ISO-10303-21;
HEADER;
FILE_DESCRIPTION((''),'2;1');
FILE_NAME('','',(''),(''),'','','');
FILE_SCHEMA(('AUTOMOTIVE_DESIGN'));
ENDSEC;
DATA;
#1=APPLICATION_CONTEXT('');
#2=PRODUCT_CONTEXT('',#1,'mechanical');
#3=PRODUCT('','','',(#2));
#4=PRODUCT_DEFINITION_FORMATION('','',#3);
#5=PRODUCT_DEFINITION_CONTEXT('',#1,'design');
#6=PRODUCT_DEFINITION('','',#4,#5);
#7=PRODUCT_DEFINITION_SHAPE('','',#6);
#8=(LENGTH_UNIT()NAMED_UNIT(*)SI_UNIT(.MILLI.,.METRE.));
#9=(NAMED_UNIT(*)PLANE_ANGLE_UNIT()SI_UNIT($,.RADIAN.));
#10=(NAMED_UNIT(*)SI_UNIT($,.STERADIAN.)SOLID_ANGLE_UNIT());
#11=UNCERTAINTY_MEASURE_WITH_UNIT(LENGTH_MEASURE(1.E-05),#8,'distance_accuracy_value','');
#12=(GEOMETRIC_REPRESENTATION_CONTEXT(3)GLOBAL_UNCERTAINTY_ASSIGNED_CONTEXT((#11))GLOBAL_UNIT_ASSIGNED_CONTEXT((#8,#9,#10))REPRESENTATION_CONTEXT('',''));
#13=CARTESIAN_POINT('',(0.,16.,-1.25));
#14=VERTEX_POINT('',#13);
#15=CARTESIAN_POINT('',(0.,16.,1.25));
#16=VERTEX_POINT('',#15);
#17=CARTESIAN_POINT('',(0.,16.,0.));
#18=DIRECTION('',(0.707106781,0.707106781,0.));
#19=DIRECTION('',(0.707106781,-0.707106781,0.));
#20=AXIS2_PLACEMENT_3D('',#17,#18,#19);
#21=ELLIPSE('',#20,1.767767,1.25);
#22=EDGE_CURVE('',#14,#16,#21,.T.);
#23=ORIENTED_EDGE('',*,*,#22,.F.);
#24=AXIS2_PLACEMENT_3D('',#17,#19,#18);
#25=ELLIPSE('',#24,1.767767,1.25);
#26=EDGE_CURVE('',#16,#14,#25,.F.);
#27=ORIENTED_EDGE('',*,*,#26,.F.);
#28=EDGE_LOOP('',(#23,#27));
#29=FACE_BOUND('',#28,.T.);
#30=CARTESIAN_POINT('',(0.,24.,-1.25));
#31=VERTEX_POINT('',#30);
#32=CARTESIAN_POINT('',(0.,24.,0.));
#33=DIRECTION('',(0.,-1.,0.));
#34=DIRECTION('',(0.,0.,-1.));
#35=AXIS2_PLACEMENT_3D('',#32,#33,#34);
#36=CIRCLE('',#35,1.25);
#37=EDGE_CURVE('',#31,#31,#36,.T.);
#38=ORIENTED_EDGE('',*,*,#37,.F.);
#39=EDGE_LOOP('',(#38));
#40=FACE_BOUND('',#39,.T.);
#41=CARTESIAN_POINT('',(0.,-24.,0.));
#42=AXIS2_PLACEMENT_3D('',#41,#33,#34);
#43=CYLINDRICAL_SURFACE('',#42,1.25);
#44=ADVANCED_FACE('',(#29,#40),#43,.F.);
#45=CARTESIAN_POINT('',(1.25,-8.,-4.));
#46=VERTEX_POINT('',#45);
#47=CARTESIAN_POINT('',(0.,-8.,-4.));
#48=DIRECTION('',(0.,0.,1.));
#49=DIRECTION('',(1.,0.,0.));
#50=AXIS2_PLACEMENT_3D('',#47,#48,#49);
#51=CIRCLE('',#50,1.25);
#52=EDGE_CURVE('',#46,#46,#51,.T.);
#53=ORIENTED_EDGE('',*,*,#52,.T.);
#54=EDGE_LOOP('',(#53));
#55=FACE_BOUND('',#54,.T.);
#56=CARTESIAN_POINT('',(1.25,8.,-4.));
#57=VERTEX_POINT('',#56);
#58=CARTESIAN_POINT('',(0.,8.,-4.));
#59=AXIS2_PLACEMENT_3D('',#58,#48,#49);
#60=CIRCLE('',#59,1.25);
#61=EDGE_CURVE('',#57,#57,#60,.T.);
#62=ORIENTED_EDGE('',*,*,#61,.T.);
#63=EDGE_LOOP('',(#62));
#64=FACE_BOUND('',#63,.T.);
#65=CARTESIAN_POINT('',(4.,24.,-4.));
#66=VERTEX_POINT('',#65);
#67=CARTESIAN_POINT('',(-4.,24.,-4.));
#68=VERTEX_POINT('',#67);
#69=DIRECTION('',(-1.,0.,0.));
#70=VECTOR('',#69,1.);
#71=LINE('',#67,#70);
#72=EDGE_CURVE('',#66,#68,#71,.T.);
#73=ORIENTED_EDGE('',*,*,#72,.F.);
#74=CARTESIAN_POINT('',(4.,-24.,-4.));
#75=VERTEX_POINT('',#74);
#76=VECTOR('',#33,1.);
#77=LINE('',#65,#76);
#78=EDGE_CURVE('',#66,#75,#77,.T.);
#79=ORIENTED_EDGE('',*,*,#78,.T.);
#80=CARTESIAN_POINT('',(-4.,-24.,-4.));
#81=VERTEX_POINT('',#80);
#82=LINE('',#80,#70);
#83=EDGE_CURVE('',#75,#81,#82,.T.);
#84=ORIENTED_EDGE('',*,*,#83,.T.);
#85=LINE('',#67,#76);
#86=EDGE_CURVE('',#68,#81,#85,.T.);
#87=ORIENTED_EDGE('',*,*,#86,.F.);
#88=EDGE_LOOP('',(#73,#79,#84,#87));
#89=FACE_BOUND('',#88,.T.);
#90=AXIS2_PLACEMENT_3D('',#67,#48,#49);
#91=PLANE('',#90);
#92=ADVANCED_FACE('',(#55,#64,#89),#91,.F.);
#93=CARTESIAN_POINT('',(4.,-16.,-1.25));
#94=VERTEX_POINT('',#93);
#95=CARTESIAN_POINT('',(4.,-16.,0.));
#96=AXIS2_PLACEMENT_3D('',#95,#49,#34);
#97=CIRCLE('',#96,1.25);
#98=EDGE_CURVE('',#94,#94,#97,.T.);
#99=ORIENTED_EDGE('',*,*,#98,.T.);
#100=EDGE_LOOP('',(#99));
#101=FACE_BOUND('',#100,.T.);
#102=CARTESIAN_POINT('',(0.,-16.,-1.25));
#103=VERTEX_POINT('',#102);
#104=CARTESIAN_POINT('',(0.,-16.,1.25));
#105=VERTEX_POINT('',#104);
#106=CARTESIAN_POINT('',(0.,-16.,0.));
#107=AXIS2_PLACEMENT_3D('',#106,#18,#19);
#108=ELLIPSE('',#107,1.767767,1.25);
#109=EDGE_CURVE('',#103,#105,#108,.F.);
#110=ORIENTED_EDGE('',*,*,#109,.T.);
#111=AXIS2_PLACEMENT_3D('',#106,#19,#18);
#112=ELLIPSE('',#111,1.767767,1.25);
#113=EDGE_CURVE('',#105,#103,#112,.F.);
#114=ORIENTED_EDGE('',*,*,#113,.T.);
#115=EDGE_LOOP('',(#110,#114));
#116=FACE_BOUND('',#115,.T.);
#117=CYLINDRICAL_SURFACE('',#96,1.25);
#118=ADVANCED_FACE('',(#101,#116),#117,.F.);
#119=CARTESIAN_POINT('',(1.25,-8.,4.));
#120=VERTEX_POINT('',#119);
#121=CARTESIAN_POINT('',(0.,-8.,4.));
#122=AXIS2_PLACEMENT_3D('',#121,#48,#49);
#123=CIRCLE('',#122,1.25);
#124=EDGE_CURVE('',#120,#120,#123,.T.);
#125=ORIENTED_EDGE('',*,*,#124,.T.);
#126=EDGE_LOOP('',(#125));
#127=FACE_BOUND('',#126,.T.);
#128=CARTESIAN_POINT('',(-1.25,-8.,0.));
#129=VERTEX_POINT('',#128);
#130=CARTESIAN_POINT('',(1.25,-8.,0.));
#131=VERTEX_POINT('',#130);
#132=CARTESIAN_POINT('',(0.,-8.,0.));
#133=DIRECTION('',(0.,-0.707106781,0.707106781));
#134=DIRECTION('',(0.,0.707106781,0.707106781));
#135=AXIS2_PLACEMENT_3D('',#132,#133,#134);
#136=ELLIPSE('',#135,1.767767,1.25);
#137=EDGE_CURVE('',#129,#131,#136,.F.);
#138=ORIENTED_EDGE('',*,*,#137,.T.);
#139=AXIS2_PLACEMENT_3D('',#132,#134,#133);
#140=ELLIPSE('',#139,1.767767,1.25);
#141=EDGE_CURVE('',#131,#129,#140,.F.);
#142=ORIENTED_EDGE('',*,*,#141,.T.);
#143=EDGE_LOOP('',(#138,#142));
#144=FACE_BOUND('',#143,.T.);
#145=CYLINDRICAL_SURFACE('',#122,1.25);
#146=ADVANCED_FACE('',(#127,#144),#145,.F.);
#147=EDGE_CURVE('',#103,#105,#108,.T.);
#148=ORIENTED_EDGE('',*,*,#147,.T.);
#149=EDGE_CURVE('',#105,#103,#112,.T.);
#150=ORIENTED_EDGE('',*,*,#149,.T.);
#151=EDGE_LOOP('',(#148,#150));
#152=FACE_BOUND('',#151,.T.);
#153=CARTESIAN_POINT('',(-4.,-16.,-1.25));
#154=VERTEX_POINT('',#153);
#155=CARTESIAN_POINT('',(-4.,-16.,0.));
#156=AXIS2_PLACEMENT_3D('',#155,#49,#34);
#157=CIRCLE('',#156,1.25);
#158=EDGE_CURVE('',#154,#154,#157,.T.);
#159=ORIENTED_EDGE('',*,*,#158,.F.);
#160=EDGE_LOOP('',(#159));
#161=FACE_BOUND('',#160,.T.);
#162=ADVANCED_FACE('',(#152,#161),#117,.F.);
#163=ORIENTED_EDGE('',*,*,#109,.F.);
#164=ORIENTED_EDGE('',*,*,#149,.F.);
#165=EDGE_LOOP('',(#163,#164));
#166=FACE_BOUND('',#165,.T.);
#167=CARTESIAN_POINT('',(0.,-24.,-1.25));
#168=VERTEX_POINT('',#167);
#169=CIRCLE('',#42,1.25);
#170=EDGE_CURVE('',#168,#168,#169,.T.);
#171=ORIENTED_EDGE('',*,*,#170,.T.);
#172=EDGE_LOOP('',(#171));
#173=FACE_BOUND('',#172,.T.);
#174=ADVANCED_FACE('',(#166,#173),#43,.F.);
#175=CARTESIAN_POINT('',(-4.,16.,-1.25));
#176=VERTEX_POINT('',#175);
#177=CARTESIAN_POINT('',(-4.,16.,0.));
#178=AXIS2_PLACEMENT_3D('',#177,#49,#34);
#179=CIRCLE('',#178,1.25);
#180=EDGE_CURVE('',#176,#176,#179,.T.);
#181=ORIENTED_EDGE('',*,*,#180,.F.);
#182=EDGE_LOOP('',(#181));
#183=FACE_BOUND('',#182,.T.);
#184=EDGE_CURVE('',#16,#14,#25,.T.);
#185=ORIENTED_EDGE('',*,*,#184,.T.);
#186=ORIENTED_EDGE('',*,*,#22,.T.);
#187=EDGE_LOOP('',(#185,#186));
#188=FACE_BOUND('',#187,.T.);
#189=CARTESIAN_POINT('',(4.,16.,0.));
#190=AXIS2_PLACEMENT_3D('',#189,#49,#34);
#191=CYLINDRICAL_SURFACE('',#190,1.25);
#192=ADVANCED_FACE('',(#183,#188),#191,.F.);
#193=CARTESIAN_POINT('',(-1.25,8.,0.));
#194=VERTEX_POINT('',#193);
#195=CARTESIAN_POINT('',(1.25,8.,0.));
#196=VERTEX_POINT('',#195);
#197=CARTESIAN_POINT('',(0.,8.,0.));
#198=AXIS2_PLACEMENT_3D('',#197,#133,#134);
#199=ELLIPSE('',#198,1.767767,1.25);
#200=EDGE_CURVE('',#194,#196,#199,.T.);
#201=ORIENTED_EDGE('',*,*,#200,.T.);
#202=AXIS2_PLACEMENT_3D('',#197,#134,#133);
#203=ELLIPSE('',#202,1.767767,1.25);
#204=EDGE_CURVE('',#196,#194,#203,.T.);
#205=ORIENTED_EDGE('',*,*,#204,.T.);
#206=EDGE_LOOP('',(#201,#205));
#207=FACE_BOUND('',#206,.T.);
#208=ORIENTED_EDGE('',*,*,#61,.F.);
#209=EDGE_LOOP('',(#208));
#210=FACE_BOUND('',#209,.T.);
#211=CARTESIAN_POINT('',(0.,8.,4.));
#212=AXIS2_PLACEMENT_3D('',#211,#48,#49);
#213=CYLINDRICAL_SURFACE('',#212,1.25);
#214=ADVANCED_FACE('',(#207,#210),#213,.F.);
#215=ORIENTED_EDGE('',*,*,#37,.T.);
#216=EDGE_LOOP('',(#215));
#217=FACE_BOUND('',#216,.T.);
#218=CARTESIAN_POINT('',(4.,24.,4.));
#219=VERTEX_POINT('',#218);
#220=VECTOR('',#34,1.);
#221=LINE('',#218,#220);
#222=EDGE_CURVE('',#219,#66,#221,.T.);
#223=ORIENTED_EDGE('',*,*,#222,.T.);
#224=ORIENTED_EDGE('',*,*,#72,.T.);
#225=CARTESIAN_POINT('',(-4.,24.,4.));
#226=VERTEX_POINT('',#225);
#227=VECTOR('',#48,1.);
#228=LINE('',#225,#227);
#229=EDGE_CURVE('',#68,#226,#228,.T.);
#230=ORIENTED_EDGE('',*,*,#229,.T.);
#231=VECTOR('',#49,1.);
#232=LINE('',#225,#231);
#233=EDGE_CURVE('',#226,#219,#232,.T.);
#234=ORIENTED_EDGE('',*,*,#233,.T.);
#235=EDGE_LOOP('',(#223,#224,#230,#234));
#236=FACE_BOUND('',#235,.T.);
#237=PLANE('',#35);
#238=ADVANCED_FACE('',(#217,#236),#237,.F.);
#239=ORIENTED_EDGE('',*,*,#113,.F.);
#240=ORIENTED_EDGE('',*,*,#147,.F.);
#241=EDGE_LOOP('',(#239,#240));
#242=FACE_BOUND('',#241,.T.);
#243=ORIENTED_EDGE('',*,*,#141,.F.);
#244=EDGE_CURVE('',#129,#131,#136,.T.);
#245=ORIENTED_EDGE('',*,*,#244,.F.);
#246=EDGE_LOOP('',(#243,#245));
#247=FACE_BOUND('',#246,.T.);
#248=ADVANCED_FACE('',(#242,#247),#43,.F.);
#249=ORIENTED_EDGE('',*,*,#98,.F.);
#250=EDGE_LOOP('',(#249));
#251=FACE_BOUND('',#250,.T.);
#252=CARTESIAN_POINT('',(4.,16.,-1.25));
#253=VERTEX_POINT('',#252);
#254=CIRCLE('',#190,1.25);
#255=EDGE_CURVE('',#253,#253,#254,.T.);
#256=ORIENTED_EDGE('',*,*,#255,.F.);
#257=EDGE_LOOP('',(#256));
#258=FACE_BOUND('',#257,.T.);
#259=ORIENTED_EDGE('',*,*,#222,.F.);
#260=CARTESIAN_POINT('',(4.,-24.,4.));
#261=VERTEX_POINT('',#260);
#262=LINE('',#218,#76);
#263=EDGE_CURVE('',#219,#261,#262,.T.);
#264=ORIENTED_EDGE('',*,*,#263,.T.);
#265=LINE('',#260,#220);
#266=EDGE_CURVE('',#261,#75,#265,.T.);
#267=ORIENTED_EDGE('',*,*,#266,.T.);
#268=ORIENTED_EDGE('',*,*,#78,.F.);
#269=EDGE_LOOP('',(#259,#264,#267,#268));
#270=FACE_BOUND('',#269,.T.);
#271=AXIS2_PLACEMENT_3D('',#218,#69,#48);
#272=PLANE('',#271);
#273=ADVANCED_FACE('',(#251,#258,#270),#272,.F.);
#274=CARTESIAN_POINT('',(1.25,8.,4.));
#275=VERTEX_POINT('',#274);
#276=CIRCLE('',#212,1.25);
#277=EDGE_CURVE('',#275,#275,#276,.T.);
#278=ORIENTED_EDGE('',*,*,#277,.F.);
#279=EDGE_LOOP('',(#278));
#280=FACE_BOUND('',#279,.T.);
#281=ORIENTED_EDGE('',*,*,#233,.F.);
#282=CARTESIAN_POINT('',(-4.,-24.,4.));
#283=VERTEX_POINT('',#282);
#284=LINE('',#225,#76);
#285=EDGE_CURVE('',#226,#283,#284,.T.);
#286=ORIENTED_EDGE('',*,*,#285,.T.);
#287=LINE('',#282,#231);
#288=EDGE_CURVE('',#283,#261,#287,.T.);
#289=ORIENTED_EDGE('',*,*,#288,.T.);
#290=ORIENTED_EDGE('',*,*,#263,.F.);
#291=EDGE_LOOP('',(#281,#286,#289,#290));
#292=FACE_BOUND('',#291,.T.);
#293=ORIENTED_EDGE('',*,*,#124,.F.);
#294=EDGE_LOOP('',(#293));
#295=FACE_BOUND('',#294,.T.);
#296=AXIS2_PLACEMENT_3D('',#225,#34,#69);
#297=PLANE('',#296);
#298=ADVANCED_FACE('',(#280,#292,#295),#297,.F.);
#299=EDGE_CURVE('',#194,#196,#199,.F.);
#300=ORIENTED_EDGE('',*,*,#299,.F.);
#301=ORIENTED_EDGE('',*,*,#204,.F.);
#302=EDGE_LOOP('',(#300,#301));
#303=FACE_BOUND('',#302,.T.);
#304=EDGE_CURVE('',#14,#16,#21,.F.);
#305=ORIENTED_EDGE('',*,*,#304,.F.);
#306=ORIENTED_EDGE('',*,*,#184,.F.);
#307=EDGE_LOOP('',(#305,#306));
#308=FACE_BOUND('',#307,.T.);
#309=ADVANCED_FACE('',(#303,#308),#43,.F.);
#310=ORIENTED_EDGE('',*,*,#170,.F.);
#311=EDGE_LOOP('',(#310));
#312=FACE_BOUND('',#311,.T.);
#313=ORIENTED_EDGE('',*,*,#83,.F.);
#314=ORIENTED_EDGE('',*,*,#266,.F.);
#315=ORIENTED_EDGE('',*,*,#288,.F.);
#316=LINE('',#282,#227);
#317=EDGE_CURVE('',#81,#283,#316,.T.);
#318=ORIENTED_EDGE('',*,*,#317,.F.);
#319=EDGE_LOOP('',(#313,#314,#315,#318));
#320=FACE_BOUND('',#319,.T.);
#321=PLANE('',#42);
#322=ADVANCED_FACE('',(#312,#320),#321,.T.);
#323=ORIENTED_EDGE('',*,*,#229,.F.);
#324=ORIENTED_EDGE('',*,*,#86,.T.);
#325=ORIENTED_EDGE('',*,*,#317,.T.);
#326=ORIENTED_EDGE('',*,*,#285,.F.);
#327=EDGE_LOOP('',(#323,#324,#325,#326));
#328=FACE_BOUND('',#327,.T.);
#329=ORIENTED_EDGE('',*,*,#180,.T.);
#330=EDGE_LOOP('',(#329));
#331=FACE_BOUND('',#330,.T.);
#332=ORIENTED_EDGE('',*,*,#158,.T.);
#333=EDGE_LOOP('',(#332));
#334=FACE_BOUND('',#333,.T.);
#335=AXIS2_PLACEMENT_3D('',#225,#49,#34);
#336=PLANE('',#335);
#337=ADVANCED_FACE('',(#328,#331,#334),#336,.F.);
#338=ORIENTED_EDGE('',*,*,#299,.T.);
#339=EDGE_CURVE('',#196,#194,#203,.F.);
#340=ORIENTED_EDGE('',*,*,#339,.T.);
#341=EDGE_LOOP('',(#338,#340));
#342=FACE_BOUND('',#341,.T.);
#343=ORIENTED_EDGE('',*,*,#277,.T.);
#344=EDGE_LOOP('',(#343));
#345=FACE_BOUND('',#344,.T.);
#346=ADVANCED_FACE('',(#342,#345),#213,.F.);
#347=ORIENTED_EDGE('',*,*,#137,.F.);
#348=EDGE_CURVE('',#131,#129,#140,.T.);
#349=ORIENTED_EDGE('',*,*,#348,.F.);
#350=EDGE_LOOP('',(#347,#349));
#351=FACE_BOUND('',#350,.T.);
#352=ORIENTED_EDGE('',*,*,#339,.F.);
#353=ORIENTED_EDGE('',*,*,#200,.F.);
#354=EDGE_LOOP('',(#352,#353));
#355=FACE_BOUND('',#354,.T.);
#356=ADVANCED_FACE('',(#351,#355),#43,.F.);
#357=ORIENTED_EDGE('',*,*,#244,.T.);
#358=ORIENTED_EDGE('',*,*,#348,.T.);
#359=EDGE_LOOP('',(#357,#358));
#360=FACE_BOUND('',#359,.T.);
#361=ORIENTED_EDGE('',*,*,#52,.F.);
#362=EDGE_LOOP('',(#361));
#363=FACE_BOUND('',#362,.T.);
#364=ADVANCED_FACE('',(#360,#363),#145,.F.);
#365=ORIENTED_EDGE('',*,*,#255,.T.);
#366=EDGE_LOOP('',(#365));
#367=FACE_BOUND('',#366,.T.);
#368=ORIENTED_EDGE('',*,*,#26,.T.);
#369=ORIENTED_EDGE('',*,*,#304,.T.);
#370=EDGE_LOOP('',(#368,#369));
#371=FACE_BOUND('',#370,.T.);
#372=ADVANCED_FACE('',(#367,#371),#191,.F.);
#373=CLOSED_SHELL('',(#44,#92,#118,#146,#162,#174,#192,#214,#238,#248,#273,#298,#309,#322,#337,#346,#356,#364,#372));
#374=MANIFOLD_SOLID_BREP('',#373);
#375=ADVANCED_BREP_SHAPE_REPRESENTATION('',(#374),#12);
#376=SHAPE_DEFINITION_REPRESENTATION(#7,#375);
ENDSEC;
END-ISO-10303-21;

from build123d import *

# Parameters (mm, degrees)
SKETCH_1_W         = 8
SKETCH_1_H         = 8
EXTRUDE_1_DEPTH    = 24
HOLE_WIZARD_M3_1_D = 2.5
HOLE_WIZARD_M3_2_D = 2.5
HOLE_WIZARD_M3_3_D = 2.5


with BuildPart() as part:
    # 草图1 → 凸台-拉伸1 (new, symmetric)
    with BuildSketch(Plane(origin=(0, 0, 0), x_dir=(1, 0, 0), z_dir=(0, 1, 0))):
        Rectangle(SKETCH_1_W, SKETCH_1_H)
    extrude(amount=EXTRUDE_1_DEPTH, both=True)

    # M3 螺纹孔1 (through all)
    with Locations(Plane.XY.offset(4)):
        with Locations((0, 8), (0, -8)):
            Hole(HOLE_WIZARD_M3_1_D / 2)

    # M3 螺纹孔2 (through all)
    with Locations(Plane(origin=(4, 0, 0), x_dir=(0, 0, -1), z_dir=(1, 0, 0))):
        with Locations((0, 16), (0, -16)):
            Hole(HOLE_WIZARD_M3_2_D / 2)

    # M3 螺纹孔3 (through all)
    with Locations(Plane(origin=(0, -24, 0), x_dir=(-1, 0, 0), z_dir=(0, -1, 0))):
        with Locations((0, 0)):
            Hole(HOLE_WIZARD_M3_3_D / 2)


solid = part.part
